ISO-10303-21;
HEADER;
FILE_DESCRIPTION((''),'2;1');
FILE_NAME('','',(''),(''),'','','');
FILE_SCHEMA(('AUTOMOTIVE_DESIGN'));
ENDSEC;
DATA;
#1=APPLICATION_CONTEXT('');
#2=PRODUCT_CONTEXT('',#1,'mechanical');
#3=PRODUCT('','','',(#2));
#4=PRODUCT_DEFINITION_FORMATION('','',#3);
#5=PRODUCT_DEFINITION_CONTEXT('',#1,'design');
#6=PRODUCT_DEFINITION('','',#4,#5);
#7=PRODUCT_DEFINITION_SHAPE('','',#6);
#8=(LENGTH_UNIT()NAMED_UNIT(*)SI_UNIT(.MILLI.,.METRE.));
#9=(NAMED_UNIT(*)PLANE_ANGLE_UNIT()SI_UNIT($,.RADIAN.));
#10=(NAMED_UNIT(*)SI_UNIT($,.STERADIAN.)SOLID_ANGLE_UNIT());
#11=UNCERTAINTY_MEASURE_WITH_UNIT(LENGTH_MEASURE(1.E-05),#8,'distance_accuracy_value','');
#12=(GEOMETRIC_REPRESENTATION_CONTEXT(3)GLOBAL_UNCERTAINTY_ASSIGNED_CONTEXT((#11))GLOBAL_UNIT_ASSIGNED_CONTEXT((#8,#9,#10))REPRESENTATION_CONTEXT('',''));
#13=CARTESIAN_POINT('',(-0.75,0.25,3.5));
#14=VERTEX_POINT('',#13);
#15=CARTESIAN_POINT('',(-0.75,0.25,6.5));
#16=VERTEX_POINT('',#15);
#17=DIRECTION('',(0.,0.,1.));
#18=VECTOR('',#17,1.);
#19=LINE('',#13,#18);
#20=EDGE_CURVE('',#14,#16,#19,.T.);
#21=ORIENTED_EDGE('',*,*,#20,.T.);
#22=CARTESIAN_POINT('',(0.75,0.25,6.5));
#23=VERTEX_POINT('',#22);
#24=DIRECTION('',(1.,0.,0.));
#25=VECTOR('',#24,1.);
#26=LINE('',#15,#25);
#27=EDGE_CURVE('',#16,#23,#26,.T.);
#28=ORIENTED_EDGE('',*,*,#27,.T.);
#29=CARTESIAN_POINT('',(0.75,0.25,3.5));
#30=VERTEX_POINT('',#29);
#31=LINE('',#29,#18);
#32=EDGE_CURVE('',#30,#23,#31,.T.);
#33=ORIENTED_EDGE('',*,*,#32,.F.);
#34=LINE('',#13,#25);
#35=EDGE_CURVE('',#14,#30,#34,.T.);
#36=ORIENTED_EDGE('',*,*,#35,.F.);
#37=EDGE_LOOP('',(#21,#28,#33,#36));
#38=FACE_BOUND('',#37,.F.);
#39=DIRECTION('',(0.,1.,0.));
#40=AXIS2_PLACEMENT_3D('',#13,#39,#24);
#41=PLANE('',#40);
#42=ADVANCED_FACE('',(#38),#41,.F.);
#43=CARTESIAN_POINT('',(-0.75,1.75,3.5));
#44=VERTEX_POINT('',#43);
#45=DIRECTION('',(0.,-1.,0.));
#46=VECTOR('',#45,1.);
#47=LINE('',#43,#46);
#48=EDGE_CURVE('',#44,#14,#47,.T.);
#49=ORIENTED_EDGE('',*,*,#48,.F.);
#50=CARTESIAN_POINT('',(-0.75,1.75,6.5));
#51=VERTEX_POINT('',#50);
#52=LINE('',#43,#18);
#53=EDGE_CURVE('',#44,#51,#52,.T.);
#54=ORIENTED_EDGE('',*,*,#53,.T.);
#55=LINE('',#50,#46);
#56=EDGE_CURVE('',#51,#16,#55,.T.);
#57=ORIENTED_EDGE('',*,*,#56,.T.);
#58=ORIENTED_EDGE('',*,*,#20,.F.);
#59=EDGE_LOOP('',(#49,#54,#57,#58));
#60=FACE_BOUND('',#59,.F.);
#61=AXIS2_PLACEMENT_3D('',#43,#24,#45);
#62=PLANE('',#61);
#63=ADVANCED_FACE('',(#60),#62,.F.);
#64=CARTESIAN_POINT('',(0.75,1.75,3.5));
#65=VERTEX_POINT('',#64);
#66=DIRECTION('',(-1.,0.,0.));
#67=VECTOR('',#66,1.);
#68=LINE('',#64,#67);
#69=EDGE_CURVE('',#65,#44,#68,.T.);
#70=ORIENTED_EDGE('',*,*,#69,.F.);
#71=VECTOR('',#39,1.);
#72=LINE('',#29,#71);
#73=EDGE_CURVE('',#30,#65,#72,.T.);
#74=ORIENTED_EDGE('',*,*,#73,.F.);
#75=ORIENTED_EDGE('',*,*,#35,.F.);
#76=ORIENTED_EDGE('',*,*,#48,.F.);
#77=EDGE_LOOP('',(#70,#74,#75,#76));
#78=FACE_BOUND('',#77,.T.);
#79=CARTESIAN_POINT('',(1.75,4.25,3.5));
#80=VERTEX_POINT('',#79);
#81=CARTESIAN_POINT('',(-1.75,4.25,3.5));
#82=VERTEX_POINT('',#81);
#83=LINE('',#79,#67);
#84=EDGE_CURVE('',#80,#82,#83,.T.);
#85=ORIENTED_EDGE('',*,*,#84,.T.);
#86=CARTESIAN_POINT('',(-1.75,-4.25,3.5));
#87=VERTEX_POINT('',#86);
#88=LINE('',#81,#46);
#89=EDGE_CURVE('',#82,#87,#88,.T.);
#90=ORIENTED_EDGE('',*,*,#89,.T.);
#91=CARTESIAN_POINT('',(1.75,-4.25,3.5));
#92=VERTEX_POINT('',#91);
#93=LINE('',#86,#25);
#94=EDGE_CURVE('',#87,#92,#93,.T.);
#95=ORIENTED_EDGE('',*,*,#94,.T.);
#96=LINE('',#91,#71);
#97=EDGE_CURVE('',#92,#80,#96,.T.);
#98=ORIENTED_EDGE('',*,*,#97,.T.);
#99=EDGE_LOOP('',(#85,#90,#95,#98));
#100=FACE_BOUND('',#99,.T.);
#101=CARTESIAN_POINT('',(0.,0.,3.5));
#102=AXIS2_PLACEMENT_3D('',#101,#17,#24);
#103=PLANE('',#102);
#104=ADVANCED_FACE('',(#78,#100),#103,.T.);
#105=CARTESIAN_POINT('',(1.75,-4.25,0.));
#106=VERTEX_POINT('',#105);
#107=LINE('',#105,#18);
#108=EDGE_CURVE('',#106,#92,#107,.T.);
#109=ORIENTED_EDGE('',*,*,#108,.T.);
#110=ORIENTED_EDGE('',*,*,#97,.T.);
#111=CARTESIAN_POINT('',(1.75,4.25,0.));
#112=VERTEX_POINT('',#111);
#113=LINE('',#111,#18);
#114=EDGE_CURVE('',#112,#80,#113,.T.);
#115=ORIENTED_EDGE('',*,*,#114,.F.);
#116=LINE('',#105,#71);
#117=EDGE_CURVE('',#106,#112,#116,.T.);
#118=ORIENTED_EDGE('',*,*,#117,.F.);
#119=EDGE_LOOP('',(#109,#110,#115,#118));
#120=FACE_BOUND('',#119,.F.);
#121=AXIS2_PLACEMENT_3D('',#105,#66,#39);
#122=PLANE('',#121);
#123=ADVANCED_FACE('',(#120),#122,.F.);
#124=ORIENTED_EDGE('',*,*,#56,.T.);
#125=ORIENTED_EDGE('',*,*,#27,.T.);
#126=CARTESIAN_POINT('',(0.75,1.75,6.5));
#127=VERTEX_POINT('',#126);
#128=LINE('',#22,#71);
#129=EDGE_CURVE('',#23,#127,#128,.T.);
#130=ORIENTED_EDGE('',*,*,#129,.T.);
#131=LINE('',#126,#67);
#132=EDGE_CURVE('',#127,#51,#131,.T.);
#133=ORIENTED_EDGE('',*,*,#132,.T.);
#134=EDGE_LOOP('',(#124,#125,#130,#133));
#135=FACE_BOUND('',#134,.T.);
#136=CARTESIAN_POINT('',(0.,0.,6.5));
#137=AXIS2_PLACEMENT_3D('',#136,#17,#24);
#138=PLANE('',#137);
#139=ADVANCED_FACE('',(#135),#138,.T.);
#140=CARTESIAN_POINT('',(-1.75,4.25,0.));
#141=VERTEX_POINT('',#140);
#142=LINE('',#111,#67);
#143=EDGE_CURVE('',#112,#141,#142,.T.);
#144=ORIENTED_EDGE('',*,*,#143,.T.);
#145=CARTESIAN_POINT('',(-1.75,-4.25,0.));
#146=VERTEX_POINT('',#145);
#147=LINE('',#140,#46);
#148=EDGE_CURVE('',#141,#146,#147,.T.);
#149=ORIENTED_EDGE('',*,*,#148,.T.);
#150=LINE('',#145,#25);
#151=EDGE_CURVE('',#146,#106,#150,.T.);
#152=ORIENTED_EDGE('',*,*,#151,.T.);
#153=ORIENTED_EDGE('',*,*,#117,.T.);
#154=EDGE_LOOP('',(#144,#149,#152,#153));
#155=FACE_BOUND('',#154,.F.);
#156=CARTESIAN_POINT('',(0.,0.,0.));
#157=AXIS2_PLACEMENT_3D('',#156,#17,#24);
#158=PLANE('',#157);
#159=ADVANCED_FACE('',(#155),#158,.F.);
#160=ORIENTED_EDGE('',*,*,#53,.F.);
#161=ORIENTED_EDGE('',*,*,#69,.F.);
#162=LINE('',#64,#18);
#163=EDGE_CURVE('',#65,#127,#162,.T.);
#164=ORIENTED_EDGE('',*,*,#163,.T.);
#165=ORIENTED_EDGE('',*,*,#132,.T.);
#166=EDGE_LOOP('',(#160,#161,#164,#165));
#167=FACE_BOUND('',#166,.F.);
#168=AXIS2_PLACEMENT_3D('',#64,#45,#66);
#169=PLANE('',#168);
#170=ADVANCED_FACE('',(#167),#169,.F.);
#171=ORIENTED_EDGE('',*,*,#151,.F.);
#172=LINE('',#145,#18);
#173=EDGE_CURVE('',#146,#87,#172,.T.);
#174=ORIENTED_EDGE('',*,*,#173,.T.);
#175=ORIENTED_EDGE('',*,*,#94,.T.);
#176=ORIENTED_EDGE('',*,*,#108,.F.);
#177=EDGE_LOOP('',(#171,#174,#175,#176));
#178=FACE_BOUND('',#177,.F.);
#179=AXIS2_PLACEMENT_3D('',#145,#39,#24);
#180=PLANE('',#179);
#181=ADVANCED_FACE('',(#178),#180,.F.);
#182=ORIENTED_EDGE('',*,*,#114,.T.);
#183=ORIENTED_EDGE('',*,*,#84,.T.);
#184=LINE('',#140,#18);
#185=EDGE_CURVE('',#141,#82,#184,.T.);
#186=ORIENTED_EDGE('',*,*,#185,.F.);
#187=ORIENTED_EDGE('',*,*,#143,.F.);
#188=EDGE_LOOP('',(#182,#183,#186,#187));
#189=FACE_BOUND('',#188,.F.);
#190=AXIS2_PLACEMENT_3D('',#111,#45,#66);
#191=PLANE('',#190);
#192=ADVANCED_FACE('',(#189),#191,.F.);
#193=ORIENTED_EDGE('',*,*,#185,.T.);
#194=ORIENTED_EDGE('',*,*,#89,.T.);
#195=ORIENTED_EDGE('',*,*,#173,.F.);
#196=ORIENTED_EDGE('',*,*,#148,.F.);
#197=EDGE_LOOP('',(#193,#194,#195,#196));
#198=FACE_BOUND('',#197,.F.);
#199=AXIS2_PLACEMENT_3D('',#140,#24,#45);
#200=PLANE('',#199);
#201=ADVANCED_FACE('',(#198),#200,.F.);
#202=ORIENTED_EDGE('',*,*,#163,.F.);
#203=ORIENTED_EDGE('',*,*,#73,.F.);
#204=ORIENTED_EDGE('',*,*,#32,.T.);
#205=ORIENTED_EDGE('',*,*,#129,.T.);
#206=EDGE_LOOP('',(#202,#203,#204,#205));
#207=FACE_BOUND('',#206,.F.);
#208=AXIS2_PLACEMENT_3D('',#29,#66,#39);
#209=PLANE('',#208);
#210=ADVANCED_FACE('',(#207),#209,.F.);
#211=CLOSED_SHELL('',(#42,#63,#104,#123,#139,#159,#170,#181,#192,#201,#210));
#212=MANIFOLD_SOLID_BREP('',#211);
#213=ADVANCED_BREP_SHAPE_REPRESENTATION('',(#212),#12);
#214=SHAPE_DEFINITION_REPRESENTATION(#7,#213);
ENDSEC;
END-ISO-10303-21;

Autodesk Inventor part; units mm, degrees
ref_plane "YZ Plane" through (0, 0, 0) normal (1, 0, 0) x (0, 1, 0)
ref_plane "XZ Plane" through (0, 0, 0) normal (0, 1, 0) x (-1, 0, 0)
ref_plane "XY Plane" through (0, 0, 0) normal (0, 0, 1) x (1, 0, 0)
sketch "Sketch1" plane through (0, 0, 0) normal (0, 0, 1) x (1, 0, 0)
  line L0 (-1.75, -4.25) -> (1.75, -4.25)
  line L1 (1.75, -4.25) -> (1.75, 4.25)
  line L2 (1.75, 4.25) -> (-1.75, 4.25)
  line L3 (-1.75, 4.25) -> (-1.75, -4.25)
  line L4 (-1.75, -4.25) -> (1.75, 4.25) construction
  line L5 (1.75, -4.25) -> (-1.75, 4.25) construction
  point P0 (0, 0)
  dimension "d0" = 3.5
  dimension "d1" = 8.5
extrude "Extrusion1" add sketch "Sketch1" along normal blind 3.5
sketch "Sketch2" plane through (0, 0, 3.5) normal (0, 0, 1) x (1, 0, 0)
  line L0 (-0.75, 0.25) -> (0.75, 0.25)
  line L1 (0.75, 0.25) -> (0.75, 1.75)
  line L2 (0.75, 1.75) -> (-0.75, 1.75)
  line L3 (-0.75, 1.75) -> (-0.75, 0.25)
  line L4 (-0.75, 0.25) -> (0.75, 1.75) construction
  line L5 (0.75, 0.25) -> (-0.75, 1.75) construction
  line L6 (1.75, 4.25) -> (-1.75, 4.25) projected
  point P0 (0, 0)
  point P1 (0, 1)
  dimension "d4" = 1.5
  dimension "d5" = 1.5
  dimension "d6" = 4
extrude "Extrusion2" add sketch "Sketch2" along normal blind 3
properties part number "Switch" material "PBT Plastic"
